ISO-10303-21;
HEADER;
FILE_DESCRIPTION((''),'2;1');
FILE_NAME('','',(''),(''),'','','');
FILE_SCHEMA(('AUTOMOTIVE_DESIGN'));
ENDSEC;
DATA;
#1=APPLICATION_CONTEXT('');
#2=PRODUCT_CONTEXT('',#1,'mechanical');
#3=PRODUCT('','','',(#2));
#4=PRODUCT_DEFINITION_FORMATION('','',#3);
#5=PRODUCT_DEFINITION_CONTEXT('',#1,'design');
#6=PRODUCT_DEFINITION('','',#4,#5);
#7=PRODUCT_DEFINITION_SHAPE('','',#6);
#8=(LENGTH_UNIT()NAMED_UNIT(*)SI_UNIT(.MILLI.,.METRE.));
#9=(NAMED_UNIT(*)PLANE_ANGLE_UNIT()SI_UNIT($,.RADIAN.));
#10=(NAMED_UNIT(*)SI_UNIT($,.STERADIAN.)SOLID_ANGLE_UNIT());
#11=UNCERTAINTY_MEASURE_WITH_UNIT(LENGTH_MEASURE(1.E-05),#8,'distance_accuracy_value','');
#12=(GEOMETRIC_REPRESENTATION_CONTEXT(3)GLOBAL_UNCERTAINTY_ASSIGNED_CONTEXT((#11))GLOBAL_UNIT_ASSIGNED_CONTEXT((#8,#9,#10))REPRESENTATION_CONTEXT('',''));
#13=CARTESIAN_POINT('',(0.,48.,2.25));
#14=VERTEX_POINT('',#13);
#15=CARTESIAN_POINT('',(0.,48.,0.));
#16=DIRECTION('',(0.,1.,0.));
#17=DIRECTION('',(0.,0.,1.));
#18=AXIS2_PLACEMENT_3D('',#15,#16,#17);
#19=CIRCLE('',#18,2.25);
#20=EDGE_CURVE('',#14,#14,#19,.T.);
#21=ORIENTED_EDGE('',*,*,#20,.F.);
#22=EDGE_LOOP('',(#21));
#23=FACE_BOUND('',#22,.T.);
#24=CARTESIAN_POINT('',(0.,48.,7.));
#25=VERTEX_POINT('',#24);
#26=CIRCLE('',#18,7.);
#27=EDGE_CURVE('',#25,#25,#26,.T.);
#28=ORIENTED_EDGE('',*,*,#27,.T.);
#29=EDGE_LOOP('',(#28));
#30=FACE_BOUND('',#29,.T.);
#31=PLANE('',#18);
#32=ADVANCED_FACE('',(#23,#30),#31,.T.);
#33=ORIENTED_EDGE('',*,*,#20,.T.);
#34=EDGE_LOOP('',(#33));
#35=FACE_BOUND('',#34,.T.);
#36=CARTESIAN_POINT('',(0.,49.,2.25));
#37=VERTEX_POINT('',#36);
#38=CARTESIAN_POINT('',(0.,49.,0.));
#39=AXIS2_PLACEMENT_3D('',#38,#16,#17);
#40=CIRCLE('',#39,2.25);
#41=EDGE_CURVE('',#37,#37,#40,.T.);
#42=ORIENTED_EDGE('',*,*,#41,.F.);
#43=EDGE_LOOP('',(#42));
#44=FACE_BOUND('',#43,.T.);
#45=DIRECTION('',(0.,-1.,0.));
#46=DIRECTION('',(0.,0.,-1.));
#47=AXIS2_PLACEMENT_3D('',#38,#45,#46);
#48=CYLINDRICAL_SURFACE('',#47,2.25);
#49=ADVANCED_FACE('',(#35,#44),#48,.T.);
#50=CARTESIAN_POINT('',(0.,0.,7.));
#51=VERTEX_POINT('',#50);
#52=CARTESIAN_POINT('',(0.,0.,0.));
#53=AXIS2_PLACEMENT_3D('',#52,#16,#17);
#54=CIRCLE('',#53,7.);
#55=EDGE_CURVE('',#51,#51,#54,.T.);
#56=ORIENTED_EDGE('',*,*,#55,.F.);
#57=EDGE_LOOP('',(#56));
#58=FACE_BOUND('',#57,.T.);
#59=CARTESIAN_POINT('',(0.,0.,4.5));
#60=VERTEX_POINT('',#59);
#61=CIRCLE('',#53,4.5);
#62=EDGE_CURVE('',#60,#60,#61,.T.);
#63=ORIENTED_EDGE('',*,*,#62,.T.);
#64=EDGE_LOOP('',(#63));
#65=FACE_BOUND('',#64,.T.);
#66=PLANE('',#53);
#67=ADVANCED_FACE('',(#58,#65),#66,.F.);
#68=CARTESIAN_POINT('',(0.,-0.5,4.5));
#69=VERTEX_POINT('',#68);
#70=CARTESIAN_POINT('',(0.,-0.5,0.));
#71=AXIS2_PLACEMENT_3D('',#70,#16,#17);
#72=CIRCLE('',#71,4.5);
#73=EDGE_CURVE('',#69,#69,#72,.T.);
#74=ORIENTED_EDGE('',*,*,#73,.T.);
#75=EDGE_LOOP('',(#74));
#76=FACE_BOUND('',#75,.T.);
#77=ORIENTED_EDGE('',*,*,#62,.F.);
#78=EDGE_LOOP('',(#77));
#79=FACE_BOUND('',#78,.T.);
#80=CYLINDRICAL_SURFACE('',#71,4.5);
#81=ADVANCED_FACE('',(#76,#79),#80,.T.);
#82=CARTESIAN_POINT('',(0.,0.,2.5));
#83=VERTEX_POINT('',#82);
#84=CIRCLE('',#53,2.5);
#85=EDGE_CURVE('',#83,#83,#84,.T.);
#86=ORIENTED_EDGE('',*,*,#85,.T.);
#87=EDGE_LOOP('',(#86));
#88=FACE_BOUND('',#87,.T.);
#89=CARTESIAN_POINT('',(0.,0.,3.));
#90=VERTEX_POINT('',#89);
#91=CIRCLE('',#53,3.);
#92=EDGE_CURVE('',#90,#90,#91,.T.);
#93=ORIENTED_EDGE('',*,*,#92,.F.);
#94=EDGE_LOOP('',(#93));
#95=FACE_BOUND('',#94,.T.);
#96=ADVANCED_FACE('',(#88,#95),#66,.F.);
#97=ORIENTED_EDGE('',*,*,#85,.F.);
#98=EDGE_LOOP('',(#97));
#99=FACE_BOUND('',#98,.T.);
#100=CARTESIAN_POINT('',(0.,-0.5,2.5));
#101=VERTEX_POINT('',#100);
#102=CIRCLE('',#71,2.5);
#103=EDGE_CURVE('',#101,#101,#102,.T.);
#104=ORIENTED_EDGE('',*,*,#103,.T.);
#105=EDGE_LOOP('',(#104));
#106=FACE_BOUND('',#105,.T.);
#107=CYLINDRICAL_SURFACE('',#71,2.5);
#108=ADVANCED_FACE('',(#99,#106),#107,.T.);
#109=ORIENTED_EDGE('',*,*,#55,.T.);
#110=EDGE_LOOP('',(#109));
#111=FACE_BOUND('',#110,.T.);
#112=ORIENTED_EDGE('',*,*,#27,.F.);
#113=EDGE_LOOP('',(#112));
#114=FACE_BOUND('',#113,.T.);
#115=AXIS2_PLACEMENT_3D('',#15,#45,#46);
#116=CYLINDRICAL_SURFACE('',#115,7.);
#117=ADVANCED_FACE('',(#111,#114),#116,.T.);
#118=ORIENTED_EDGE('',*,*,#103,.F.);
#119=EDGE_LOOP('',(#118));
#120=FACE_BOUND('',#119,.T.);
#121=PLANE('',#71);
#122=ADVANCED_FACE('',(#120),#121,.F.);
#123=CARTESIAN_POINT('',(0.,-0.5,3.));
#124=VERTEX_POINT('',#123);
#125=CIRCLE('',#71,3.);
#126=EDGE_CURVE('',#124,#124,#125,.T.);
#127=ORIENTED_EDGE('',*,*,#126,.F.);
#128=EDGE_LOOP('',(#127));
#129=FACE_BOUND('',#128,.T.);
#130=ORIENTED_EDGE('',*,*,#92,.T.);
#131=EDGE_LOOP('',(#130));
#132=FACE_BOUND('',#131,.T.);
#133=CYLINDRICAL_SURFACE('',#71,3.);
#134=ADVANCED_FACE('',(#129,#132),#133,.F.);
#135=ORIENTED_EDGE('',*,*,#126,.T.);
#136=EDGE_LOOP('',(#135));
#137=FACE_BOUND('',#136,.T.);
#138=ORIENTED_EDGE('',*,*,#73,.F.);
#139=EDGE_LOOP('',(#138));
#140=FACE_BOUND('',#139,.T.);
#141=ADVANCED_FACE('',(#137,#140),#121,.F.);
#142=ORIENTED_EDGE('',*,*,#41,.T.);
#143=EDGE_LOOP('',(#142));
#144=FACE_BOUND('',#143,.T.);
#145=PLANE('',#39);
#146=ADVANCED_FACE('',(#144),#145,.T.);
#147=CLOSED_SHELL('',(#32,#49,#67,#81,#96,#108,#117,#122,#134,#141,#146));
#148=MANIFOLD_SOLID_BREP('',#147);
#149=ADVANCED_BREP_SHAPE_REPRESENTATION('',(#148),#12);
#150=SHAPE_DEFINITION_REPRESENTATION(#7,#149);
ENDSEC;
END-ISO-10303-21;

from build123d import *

# Parameters (mm, degrees)
SKETCH1_R           = 7
BOSS_EXTRUDE1_DEPTH = 48
SKETCH2_R           = 2.25
BOSS_EXTRUDE2_DEPTH = 1
SKETCH3_R           = 4.5
BOSS_EXTRUDE3_DEPTH = 0.5
SKETCH4_R           = 3
SKETCH4_R_2         = 2.5
CUT_EXTRUDE1_DEPTH  = 1.5


with BuildPart() as part:
    # Sketch1 → Boss-Extrude1 (new body)
    with BuildSketch(Plane(origin=(0, 0, 0), x_dir=(1, 0, 0), z_dir=(0, 1, 0))):
        Circle(SKETCH1_R)
    extrude(amount=BOSS_EXTRUDE1_DEPTH)

    # Sketch2 → Boss-Extrude2 (add)
    with BuildSketch(Plane(origin=(0, 48, 0), x_dir=(1, 0, 0), z_dir=(0, 1, 0))):
        Circle(SKETCH2_R)
    extrude(amount=BOSS_EXTRUDE2_DEPTH)

    # Sketch3 → Boss-Extrude3 (add)
    with BuildSketch(Plane(origin=(0, 0, 0), x_dir=(1, 0, 0), z_dir=(0, 1, 0))):
        Circle(SKETCH3_R)
    extrude(amount=-BOSS_EXTRUDE3_DEPTH)

    # Sketch4 → Cut-Extrude1 (cut, through all)
    with BuildSketch(Plane(origin=(0, 0, 0), x_dir=(1, 0, 0), z_dir=(0, 1, 0))):
        Circle(SKETCH4_R)
        Circle(SKETCH4_R_2, mode=Mode.SUBTRACT)
    extrude(amount=-CUT_EXTRUDE1_DEPTH, mode=Mode.SUBTRACT)


solid = part.part
